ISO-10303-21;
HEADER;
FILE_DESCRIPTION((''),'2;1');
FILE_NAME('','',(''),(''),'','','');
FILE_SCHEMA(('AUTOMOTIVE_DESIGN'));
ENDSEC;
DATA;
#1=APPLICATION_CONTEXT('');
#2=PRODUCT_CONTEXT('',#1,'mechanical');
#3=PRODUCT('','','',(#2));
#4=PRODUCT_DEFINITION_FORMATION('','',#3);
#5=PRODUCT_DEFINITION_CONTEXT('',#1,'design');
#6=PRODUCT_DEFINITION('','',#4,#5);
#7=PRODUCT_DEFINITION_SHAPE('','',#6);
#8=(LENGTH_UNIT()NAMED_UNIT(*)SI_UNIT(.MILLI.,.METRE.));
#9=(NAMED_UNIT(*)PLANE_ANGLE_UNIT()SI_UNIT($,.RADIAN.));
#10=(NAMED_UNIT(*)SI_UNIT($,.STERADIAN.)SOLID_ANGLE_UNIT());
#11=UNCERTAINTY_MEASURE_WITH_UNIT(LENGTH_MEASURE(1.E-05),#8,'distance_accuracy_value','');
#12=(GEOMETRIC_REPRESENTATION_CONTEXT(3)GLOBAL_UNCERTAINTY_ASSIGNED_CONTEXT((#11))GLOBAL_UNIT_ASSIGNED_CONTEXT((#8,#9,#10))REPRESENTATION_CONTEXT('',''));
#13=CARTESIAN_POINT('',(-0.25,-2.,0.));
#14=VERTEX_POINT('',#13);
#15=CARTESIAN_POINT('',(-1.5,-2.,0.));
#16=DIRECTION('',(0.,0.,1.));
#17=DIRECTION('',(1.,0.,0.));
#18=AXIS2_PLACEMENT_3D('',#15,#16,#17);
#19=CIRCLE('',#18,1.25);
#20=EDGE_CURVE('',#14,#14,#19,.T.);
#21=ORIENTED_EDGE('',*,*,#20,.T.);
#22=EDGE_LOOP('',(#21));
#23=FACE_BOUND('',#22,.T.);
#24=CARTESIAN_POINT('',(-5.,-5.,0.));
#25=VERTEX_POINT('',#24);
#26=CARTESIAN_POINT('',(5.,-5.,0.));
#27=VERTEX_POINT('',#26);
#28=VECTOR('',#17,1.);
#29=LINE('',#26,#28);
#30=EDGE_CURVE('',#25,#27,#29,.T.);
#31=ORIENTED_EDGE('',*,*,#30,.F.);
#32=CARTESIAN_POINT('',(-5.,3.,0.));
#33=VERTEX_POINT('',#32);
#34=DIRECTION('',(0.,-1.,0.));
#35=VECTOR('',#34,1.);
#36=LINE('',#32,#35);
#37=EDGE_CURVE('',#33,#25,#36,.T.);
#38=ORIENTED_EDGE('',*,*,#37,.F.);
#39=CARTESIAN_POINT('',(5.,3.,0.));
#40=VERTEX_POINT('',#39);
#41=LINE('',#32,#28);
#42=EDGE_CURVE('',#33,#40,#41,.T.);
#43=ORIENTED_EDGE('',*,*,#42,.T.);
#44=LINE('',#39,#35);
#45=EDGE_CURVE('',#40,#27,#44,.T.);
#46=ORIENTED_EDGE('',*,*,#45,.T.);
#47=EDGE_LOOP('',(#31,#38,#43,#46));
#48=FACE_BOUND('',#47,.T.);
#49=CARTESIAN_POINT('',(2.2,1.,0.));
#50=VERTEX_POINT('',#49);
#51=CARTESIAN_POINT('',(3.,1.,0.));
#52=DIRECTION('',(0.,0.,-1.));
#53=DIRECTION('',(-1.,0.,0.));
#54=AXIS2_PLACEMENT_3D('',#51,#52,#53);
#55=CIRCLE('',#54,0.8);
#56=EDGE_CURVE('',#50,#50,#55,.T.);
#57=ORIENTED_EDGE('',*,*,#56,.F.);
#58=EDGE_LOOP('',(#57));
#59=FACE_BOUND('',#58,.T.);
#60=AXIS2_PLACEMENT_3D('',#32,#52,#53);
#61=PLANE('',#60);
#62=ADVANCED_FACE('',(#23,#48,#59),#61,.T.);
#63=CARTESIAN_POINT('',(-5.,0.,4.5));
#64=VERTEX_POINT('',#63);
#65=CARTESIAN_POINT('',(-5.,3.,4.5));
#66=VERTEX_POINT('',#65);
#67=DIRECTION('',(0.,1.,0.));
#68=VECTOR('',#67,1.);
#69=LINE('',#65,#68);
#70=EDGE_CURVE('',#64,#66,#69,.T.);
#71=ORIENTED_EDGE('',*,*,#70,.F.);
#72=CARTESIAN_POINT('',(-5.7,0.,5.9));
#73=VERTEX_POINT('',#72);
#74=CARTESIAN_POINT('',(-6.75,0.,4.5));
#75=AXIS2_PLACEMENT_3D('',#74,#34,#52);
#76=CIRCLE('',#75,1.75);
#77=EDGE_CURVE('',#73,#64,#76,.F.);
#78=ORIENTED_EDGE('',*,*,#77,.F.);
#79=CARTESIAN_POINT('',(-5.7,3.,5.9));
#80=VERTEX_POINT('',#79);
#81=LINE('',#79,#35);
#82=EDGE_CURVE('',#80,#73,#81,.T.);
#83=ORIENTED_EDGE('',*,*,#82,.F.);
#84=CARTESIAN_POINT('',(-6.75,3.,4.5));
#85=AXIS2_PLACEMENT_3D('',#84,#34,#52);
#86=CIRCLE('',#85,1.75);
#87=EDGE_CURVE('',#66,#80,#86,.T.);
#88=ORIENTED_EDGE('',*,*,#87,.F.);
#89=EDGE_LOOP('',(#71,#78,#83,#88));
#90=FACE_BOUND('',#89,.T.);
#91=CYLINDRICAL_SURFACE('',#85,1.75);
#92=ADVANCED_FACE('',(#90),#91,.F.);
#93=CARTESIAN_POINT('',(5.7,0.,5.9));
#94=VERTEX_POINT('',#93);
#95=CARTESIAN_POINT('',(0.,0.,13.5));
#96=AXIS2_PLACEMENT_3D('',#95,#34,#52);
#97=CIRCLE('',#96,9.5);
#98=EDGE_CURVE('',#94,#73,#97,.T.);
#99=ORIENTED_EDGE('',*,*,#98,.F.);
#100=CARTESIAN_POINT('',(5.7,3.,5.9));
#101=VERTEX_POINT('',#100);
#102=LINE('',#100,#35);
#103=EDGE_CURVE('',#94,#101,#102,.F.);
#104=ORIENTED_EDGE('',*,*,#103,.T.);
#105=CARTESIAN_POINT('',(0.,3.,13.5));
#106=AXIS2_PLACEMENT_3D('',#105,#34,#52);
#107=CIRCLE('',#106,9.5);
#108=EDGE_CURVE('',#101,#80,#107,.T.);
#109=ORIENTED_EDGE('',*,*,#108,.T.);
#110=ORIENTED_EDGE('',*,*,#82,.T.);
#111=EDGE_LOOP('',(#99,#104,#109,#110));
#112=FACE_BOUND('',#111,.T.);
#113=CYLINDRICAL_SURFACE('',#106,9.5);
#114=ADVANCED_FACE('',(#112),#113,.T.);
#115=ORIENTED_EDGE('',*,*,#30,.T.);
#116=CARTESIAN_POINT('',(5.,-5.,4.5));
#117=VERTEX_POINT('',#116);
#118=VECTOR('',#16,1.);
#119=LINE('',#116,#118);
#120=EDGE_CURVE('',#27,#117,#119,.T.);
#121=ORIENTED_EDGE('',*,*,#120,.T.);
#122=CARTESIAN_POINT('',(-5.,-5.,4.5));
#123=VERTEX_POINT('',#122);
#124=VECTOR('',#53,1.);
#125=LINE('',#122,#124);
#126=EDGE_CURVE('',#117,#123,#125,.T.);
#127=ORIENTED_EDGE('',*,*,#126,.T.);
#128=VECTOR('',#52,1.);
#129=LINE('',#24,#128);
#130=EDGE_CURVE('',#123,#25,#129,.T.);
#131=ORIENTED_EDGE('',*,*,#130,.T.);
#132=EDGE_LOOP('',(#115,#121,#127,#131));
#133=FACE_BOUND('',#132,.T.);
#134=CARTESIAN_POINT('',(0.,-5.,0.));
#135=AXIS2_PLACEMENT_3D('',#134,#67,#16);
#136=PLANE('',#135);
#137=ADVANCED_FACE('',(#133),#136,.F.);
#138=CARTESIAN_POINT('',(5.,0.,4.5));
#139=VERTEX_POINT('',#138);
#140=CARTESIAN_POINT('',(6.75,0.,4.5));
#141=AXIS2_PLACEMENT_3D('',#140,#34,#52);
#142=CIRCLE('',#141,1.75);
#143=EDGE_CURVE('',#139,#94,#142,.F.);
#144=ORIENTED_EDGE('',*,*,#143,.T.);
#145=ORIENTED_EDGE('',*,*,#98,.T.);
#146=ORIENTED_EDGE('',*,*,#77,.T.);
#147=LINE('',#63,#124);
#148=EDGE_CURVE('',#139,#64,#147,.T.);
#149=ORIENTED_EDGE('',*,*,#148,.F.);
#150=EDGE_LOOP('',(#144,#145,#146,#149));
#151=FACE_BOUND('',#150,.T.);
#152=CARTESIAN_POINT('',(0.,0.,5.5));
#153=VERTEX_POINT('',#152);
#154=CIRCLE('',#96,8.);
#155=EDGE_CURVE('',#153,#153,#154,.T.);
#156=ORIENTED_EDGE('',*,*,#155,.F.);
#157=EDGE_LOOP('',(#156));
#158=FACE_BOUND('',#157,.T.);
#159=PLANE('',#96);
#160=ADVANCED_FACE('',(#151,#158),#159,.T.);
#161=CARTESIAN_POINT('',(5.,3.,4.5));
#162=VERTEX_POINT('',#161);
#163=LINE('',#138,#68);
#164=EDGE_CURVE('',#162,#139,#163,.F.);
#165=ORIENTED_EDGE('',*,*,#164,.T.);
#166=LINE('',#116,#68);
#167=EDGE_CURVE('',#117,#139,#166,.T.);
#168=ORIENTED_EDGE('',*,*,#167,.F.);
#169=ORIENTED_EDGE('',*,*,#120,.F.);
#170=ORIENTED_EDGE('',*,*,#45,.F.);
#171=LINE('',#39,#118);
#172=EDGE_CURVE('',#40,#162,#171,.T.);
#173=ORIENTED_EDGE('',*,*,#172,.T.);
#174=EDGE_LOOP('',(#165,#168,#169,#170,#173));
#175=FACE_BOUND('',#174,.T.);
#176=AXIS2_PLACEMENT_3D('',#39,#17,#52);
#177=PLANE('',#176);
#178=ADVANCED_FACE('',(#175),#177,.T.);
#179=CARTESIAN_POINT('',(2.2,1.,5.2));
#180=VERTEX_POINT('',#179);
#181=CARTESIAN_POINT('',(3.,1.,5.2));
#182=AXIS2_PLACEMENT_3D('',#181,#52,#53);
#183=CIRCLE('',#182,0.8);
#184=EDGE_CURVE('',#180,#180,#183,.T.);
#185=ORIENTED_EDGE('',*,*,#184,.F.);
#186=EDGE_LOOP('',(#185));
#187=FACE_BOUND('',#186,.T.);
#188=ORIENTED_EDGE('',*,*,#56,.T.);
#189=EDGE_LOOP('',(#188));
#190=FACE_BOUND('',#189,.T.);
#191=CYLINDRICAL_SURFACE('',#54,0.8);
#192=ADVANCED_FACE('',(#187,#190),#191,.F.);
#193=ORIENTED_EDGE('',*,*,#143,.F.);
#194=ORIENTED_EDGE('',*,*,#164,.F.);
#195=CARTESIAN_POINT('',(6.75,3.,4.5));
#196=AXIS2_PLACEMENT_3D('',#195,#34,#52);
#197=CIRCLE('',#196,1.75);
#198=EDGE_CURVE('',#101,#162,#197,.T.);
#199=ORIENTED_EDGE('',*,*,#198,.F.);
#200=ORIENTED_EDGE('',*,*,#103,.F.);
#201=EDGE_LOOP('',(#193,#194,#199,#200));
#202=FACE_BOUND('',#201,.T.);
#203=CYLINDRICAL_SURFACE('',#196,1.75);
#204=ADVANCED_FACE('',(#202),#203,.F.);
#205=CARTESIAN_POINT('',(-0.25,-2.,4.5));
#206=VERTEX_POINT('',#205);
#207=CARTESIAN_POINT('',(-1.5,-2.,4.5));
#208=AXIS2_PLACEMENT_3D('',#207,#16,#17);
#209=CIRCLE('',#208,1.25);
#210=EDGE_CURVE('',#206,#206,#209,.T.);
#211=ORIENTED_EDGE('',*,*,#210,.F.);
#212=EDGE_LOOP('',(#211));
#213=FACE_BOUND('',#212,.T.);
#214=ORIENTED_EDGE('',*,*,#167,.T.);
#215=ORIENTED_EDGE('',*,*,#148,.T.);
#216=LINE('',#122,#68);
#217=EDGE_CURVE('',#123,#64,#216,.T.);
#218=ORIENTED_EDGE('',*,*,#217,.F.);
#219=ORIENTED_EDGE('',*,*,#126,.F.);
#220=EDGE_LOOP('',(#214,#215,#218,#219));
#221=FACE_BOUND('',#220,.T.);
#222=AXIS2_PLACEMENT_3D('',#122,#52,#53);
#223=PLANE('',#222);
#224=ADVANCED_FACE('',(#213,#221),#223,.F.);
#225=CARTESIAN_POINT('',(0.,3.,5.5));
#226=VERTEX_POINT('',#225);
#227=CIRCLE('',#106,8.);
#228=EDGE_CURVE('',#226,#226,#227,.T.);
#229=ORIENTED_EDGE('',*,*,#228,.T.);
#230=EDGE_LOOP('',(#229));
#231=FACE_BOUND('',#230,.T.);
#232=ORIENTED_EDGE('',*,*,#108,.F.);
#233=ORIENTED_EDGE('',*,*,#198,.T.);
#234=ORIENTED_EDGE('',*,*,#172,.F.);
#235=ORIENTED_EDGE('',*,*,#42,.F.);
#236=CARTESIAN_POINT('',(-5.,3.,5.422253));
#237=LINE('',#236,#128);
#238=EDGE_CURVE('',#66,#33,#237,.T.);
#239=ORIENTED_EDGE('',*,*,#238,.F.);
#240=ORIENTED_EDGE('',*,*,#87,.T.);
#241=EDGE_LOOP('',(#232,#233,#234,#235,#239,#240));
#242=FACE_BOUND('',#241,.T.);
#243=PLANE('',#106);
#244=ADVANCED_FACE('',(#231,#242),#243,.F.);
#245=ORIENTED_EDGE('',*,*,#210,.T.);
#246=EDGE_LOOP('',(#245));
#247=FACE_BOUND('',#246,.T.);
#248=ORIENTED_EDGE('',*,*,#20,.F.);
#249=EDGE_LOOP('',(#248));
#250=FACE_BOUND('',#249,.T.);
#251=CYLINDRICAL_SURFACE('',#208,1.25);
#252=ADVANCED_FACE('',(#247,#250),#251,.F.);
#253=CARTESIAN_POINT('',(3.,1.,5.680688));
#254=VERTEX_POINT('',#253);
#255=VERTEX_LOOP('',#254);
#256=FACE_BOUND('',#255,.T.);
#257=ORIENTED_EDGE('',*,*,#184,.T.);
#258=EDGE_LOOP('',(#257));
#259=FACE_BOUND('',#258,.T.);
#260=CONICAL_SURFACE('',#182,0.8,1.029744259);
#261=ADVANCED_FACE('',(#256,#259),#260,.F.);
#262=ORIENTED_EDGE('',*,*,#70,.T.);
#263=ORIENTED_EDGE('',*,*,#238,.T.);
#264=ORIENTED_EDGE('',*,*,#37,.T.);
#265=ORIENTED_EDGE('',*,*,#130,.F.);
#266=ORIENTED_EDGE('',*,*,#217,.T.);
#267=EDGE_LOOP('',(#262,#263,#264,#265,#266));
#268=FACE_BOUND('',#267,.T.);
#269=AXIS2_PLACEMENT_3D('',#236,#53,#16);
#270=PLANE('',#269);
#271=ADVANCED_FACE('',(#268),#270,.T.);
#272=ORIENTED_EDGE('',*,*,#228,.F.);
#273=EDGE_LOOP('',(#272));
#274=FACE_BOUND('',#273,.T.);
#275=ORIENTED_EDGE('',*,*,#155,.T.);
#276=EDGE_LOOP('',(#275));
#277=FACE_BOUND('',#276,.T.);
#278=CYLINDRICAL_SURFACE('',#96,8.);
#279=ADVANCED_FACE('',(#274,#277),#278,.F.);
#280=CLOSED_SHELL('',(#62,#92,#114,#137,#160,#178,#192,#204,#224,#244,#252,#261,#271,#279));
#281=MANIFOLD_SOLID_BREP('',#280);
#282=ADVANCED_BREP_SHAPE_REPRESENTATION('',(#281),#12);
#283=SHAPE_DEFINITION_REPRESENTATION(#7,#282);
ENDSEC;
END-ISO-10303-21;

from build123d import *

# Parameters (mm, degrees)
BOSS_EXTRUDE1_DEPTH       = 3
SKETCH2_W                 = 10
SKETCH2_H                 = 4.5
BOSS_EXTRUDE2_DEPTH       = 5
M2X0_4_TAPPED_HOLE1_D     = 1.6
M2X0_4_TAPPED_HOLE1_DEPTH = 5.2
M2X0_4_TAPPED_HOLE1_TIP   = 0.480688495
M3X0_5_TAPPED_HOLE1_D     = 2.5
M14_CLEARANCE_HOLE1_D     = 16
FILLET1_R                 = 1.749999932


with BuildPart() as part:
    # Sketch1 → Boss-Extrude1 (new body)
    with BuildSketch(Plane.XZ):
        with BuildLine():
            Line((-5, 5.422252789), (-5, 0))
            Line((-5, 0), (5, 0))
            Line((5, 0), (5, 5.422252789))
            ThreePointArc((5, 5.422252789), (0, 23), (-5, 5.422252789))
        make_face()
    extrude(amount=-BOSS_EXTRUDE1_DEPTH)

    # Sketch2 → Boss-Extrude2 (add)
    with BuildSketch(Plane.XZ):
        with Locations((0, 2.25)):
            Rectangle(SKETCH2_W, SKETCH2_H)
    extrude(amount=BOSS_EXTRUDE2_DEPTH)

    # M2x0.4 Tapped Hole1
    with Locations(Plane(origin=(0, 0, 0), x_dir=(-1, 0, 0), z_dir=(0, 0, -1))):
        with Locations((-3, 1)):
            Hole(M2X0_4_TAPPED_HOLE1_D / 2, depth=M2X0_4_TAPPED_HOLE1_DEPTH)
            with Locations((0, 0, -(M2X0_4_TAPPED_HOLE1_DEPTH + M2X0_4_TAPPED_HOLE1_TIP / 2))):  # 118° drill point
                Cone(0, M2X0_4_TAPPED_HOLE1_D / 2, M2X0_4_TAPPED_HOLE1_TIP, mode=Mode.SUBTRACT)

    # M3x0.5 Tapped Hole1 (through all)
    with Locations(Plane.XY.offset(4.5)):
        with Locations((-1.5, -2)):
            Hole(M3X0_5_TAPPED_HOLE1_D / 2)

    # M14 Clearance Hole1 (through all)
    with Locations(Plane(origin=(0, 0, 0), x_dir=(-1, 0, 0), z_dir=(0, -1, 0))):
        with Locations((0, -13.5)):
            Hole(M14_CLEARANCE_HOLE1_D / 2)

    # Fillet1
    fillet1_edges = [part.edges().sort_by_distance(p)[0] for p in [
        (-5, 1.5, 5.422252789),
        (5, 1.5, 5.422252789),
    ]]
    fillet(fillet1_edges, radius=FILLET1_R)


solid = part.part
